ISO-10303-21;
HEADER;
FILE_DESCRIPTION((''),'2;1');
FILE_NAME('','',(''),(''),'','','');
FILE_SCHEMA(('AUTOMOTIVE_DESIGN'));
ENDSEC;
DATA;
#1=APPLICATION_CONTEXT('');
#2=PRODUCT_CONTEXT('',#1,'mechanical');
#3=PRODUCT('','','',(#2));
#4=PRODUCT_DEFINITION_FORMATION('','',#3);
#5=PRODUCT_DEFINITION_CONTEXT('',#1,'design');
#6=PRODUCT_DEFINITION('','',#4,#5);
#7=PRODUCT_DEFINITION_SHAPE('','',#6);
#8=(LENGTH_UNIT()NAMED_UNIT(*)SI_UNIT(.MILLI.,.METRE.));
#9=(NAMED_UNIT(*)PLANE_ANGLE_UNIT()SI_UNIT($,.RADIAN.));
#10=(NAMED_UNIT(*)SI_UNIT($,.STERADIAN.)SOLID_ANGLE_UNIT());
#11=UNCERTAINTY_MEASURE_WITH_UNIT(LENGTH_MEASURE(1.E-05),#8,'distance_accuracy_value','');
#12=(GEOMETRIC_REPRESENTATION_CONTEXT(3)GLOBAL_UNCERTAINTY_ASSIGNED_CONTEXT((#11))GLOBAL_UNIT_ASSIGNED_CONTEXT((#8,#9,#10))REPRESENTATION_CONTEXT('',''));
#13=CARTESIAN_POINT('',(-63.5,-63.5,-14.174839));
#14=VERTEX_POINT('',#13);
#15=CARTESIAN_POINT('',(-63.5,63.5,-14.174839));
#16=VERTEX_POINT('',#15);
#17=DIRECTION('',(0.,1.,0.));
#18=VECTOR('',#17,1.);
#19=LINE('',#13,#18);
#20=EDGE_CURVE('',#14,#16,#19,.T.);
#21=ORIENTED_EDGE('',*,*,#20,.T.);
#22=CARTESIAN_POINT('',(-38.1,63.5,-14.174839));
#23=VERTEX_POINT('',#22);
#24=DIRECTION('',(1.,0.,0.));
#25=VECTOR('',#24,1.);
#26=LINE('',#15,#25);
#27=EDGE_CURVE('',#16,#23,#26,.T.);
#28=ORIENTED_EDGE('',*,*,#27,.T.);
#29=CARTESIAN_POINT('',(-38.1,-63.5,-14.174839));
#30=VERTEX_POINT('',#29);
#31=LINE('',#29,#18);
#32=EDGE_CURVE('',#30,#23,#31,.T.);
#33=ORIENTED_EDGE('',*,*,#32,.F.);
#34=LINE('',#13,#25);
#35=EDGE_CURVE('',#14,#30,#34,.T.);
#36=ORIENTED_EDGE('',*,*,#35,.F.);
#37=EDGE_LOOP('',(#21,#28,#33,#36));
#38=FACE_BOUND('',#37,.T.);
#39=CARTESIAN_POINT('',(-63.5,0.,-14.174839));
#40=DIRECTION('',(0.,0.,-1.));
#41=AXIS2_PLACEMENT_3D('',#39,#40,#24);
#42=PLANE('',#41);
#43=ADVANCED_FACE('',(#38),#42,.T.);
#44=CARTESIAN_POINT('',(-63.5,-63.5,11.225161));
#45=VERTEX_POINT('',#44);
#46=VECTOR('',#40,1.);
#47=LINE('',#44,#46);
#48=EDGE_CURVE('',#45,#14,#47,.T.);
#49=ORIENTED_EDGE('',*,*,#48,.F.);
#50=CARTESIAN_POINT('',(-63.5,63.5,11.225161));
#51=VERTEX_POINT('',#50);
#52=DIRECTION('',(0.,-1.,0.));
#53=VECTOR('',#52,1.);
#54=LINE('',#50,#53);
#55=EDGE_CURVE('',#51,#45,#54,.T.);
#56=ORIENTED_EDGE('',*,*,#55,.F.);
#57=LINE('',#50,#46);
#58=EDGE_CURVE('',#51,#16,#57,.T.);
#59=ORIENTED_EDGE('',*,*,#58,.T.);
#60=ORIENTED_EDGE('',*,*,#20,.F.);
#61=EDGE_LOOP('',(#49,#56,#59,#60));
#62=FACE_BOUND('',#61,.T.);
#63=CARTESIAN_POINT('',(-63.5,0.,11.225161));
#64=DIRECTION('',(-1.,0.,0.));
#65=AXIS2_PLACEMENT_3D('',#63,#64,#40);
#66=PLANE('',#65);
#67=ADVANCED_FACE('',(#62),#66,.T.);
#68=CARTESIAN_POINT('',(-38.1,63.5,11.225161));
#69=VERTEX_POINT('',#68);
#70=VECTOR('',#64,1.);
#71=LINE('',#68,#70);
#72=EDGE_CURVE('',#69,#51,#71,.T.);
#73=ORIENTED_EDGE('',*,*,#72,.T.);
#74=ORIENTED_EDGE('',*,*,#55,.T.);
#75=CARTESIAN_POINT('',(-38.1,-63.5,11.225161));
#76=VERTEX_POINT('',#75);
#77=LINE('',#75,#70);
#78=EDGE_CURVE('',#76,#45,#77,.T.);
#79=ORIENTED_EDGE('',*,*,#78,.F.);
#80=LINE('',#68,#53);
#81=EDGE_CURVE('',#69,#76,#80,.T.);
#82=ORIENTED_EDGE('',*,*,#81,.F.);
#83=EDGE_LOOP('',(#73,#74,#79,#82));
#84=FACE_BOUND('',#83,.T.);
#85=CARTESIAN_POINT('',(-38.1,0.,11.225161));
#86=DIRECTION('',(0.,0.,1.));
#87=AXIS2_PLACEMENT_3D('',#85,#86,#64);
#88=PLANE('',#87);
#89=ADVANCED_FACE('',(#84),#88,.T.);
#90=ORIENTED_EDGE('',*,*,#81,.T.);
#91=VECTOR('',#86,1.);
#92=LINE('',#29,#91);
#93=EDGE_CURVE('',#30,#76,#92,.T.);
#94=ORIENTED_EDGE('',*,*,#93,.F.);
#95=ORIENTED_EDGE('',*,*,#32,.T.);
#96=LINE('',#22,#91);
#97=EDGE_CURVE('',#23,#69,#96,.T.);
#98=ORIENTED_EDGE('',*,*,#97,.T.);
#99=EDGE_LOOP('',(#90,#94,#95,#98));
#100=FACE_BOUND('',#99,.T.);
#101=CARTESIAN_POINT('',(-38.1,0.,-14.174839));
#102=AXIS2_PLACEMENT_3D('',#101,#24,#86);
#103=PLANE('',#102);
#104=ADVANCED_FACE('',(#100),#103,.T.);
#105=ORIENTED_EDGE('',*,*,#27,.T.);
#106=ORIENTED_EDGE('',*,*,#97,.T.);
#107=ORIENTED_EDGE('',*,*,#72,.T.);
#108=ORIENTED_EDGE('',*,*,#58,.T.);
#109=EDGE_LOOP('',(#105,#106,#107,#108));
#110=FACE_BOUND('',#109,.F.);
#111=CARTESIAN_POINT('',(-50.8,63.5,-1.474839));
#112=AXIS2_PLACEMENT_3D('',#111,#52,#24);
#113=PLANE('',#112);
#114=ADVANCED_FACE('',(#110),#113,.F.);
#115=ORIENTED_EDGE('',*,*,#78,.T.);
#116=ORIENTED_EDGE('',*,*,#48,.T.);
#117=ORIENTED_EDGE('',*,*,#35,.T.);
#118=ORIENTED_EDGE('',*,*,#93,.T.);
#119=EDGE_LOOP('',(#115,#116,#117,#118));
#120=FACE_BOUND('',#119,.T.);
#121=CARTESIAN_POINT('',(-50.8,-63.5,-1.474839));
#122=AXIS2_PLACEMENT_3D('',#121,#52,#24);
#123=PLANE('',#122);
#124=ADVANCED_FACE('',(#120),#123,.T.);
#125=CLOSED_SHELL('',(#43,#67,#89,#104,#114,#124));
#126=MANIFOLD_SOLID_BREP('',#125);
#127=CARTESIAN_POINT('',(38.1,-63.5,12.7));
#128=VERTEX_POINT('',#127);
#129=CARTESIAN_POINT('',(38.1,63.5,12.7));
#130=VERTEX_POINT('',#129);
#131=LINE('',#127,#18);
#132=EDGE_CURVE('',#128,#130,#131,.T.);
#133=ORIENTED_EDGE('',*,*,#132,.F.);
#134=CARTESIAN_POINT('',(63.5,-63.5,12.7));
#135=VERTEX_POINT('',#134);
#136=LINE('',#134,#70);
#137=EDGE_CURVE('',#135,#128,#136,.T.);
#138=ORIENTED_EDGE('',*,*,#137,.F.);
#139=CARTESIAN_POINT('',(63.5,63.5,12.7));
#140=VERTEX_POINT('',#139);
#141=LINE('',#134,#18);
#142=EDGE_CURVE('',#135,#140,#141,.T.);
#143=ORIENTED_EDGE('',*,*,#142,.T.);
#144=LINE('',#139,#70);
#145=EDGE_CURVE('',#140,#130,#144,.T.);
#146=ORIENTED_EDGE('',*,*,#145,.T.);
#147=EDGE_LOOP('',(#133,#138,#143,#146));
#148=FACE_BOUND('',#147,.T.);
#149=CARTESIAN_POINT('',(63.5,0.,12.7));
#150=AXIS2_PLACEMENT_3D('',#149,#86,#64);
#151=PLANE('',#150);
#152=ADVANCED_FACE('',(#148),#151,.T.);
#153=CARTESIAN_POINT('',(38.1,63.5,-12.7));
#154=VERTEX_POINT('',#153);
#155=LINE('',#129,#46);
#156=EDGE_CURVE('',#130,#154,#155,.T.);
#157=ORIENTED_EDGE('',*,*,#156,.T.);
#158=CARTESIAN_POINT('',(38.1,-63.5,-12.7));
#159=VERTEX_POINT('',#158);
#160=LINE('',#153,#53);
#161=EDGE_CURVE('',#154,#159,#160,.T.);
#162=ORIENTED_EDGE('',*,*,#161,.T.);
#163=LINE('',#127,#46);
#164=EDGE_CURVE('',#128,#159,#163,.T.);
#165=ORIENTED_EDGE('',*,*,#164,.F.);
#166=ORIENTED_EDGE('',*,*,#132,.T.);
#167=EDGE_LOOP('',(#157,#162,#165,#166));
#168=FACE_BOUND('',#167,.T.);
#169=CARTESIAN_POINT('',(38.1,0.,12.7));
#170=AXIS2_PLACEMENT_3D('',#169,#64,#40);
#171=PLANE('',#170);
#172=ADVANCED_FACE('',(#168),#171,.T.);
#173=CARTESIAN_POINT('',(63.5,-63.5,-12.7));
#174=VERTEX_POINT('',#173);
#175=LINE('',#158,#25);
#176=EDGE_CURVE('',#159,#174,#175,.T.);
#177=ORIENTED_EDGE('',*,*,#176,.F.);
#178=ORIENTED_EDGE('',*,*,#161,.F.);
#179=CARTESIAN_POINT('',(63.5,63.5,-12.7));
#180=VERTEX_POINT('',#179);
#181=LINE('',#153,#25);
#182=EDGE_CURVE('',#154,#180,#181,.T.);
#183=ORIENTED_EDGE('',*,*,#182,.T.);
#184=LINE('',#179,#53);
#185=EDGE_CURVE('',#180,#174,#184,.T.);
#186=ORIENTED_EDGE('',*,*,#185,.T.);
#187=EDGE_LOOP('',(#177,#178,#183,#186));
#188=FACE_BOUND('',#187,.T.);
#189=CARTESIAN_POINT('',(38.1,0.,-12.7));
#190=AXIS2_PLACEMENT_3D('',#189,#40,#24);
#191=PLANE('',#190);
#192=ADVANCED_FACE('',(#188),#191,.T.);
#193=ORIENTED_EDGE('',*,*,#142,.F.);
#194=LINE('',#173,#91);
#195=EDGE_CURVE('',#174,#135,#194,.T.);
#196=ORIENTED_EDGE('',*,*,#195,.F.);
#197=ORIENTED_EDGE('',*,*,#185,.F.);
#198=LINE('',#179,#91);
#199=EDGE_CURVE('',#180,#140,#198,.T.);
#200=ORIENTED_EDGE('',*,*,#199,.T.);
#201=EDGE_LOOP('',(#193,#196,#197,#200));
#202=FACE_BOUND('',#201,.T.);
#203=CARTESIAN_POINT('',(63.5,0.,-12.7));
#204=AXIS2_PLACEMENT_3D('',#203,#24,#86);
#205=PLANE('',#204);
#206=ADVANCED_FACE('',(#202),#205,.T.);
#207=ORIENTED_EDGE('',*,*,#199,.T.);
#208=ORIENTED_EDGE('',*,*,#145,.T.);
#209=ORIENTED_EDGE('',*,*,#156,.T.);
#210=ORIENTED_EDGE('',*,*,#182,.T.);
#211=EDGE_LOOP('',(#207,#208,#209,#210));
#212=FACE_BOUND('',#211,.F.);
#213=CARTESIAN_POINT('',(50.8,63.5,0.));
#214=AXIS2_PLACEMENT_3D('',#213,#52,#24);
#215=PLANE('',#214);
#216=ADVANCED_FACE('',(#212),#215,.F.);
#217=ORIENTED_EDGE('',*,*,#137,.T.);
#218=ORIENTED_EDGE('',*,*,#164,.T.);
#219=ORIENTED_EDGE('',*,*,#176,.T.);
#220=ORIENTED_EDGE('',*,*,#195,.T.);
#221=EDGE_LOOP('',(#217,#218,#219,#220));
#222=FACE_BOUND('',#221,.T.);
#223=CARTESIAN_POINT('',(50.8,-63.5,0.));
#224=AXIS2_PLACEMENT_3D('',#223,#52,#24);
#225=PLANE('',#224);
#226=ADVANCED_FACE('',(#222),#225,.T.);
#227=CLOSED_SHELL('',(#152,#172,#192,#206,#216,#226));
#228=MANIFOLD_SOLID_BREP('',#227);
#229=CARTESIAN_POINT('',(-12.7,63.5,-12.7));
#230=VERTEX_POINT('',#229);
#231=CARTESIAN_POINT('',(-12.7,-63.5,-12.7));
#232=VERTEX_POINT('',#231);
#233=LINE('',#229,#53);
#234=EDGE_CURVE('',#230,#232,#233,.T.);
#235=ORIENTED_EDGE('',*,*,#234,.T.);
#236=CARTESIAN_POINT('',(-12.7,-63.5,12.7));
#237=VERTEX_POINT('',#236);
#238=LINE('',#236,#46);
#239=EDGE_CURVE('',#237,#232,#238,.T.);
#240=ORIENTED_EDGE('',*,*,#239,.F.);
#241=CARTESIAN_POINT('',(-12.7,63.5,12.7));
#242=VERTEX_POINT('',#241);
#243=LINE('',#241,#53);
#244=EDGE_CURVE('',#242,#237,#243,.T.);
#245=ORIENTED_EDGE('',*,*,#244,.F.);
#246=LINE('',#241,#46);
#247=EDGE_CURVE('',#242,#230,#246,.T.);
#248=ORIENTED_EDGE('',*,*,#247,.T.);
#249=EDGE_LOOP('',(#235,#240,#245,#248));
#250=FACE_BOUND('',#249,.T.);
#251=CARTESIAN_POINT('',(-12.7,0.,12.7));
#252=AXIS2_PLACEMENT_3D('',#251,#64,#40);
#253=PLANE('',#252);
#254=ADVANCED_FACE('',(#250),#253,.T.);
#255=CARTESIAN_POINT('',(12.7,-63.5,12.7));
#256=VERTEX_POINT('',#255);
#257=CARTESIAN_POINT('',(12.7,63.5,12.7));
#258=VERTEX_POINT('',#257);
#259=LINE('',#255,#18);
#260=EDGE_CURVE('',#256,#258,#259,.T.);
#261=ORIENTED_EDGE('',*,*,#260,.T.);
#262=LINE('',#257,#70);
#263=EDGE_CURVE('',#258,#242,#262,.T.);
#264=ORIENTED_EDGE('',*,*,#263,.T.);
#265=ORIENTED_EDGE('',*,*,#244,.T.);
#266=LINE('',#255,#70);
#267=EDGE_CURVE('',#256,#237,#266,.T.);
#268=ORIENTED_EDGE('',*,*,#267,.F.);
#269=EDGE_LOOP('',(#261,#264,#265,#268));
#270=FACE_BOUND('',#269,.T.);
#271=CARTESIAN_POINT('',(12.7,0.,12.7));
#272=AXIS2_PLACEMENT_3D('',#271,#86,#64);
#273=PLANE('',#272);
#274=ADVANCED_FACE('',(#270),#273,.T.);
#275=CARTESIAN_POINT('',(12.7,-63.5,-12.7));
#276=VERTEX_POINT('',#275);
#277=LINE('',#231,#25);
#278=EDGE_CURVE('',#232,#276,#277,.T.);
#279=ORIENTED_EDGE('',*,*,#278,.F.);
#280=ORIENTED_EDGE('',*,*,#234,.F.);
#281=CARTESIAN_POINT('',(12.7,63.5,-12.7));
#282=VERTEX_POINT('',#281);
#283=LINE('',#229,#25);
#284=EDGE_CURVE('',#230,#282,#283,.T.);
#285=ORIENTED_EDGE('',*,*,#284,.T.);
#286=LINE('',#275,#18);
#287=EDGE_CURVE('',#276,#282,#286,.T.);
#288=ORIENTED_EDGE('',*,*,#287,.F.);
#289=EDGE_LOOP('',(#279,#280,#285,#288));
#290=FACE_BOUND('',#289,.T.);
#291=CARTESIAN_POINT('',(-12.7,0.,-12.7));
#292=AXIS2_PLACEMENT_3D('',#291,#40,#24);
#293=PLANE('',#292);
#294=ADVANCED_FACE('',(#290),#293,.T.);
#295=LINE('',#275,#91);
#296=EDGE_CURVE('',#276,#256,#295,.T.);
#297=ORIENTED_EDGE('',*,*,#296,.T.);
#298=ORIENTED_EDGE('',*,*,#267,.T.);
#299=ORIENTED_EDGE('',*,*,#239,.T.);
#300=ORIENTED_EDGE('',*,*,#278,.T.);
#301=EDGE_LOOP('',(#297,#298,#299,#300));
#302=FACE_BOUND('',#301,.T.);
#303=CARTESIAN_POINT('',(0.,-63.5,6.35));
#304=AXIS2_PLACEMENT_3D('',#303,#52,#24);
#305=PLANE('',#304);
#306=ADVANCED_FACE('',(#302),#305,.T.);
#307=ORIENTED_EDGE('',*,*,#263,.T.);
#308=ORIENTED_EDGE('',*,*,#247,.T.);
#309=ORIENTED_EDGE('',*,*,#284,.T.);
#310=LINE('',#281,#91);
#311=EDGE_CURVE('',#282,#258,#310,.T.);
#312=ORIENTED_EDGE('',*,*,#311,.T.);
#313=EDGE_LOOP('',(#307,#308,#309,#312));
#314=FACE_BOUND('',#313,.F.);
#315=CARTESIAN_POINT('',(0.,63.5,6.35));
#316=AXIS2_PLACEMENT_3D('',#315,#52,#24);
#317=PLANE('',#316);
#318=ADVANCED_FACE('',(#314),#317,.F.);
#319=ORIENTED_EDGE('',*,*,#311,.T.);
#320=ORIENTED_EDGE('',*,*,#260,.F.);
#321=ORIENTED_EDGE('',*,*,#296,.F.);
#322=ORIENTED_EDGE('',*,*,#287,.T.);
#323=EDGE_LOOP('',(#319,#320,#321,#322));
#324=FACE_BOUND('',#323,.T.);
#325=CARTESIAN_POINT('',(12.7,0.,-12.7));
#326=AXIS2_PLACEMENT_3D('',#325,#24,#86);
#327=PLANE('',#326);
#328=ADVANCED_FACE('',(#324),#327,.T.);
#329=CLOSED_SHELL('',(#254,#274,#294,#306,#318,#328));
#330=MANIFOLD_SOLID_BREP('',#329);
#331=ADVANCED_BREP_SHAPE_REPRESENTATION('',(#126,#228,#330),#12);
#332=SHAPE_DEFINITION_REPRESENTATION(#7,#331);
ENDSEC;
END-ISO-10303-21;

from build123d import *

# Parameters (mm, degrees)
F1_DEPTH = 63.5
F2_DEPTH = 63.5
F3_DEPTH = 63.5


with BuildPart() as f1:
    # F0 (on Front) → F1 (new body, symmetric)
    with BuildSketch(Plane.XZ):
        Polygon((-38.1, -14.174839), (-38.1, 0), (-38.1, 11.225161), (-63.5, 11.225161), (-63.5, -14.174839), align=None)
    extrude(amount=F1_DEPTH, both=True)


with BuildPart() as f2:
    # F0 (on Front) → F2 (new body, symmetric)
    with BuildSketch(Plane.XZ):
        Polygon((12.7, 0), (12.7, 12.7), (-12.7, 12.7), (-12.7, 0), (0, 0), align=None)
        Polygon((12.7, -12.7), (12.7, 0), (0, 0), (-12.7, 0), (-12.7, -12.7), align=None)
    extrude(amount=F2_DEPTH, both=True)


with BuildPart() as f3:
    # F0 (on Front) → F3 (new body, symmetric)
    with BuildSketch(Plane.XZ):
        Polygon((38.1, 12.7), (38.1, 0), (38.1, -12.7), (63.5, -12.7), (63.5, 12.7), align=None)
    extrude(amount=F3_DEPTH, both=True)


solid = Compound([f1.part, f2.part, f3.part])
